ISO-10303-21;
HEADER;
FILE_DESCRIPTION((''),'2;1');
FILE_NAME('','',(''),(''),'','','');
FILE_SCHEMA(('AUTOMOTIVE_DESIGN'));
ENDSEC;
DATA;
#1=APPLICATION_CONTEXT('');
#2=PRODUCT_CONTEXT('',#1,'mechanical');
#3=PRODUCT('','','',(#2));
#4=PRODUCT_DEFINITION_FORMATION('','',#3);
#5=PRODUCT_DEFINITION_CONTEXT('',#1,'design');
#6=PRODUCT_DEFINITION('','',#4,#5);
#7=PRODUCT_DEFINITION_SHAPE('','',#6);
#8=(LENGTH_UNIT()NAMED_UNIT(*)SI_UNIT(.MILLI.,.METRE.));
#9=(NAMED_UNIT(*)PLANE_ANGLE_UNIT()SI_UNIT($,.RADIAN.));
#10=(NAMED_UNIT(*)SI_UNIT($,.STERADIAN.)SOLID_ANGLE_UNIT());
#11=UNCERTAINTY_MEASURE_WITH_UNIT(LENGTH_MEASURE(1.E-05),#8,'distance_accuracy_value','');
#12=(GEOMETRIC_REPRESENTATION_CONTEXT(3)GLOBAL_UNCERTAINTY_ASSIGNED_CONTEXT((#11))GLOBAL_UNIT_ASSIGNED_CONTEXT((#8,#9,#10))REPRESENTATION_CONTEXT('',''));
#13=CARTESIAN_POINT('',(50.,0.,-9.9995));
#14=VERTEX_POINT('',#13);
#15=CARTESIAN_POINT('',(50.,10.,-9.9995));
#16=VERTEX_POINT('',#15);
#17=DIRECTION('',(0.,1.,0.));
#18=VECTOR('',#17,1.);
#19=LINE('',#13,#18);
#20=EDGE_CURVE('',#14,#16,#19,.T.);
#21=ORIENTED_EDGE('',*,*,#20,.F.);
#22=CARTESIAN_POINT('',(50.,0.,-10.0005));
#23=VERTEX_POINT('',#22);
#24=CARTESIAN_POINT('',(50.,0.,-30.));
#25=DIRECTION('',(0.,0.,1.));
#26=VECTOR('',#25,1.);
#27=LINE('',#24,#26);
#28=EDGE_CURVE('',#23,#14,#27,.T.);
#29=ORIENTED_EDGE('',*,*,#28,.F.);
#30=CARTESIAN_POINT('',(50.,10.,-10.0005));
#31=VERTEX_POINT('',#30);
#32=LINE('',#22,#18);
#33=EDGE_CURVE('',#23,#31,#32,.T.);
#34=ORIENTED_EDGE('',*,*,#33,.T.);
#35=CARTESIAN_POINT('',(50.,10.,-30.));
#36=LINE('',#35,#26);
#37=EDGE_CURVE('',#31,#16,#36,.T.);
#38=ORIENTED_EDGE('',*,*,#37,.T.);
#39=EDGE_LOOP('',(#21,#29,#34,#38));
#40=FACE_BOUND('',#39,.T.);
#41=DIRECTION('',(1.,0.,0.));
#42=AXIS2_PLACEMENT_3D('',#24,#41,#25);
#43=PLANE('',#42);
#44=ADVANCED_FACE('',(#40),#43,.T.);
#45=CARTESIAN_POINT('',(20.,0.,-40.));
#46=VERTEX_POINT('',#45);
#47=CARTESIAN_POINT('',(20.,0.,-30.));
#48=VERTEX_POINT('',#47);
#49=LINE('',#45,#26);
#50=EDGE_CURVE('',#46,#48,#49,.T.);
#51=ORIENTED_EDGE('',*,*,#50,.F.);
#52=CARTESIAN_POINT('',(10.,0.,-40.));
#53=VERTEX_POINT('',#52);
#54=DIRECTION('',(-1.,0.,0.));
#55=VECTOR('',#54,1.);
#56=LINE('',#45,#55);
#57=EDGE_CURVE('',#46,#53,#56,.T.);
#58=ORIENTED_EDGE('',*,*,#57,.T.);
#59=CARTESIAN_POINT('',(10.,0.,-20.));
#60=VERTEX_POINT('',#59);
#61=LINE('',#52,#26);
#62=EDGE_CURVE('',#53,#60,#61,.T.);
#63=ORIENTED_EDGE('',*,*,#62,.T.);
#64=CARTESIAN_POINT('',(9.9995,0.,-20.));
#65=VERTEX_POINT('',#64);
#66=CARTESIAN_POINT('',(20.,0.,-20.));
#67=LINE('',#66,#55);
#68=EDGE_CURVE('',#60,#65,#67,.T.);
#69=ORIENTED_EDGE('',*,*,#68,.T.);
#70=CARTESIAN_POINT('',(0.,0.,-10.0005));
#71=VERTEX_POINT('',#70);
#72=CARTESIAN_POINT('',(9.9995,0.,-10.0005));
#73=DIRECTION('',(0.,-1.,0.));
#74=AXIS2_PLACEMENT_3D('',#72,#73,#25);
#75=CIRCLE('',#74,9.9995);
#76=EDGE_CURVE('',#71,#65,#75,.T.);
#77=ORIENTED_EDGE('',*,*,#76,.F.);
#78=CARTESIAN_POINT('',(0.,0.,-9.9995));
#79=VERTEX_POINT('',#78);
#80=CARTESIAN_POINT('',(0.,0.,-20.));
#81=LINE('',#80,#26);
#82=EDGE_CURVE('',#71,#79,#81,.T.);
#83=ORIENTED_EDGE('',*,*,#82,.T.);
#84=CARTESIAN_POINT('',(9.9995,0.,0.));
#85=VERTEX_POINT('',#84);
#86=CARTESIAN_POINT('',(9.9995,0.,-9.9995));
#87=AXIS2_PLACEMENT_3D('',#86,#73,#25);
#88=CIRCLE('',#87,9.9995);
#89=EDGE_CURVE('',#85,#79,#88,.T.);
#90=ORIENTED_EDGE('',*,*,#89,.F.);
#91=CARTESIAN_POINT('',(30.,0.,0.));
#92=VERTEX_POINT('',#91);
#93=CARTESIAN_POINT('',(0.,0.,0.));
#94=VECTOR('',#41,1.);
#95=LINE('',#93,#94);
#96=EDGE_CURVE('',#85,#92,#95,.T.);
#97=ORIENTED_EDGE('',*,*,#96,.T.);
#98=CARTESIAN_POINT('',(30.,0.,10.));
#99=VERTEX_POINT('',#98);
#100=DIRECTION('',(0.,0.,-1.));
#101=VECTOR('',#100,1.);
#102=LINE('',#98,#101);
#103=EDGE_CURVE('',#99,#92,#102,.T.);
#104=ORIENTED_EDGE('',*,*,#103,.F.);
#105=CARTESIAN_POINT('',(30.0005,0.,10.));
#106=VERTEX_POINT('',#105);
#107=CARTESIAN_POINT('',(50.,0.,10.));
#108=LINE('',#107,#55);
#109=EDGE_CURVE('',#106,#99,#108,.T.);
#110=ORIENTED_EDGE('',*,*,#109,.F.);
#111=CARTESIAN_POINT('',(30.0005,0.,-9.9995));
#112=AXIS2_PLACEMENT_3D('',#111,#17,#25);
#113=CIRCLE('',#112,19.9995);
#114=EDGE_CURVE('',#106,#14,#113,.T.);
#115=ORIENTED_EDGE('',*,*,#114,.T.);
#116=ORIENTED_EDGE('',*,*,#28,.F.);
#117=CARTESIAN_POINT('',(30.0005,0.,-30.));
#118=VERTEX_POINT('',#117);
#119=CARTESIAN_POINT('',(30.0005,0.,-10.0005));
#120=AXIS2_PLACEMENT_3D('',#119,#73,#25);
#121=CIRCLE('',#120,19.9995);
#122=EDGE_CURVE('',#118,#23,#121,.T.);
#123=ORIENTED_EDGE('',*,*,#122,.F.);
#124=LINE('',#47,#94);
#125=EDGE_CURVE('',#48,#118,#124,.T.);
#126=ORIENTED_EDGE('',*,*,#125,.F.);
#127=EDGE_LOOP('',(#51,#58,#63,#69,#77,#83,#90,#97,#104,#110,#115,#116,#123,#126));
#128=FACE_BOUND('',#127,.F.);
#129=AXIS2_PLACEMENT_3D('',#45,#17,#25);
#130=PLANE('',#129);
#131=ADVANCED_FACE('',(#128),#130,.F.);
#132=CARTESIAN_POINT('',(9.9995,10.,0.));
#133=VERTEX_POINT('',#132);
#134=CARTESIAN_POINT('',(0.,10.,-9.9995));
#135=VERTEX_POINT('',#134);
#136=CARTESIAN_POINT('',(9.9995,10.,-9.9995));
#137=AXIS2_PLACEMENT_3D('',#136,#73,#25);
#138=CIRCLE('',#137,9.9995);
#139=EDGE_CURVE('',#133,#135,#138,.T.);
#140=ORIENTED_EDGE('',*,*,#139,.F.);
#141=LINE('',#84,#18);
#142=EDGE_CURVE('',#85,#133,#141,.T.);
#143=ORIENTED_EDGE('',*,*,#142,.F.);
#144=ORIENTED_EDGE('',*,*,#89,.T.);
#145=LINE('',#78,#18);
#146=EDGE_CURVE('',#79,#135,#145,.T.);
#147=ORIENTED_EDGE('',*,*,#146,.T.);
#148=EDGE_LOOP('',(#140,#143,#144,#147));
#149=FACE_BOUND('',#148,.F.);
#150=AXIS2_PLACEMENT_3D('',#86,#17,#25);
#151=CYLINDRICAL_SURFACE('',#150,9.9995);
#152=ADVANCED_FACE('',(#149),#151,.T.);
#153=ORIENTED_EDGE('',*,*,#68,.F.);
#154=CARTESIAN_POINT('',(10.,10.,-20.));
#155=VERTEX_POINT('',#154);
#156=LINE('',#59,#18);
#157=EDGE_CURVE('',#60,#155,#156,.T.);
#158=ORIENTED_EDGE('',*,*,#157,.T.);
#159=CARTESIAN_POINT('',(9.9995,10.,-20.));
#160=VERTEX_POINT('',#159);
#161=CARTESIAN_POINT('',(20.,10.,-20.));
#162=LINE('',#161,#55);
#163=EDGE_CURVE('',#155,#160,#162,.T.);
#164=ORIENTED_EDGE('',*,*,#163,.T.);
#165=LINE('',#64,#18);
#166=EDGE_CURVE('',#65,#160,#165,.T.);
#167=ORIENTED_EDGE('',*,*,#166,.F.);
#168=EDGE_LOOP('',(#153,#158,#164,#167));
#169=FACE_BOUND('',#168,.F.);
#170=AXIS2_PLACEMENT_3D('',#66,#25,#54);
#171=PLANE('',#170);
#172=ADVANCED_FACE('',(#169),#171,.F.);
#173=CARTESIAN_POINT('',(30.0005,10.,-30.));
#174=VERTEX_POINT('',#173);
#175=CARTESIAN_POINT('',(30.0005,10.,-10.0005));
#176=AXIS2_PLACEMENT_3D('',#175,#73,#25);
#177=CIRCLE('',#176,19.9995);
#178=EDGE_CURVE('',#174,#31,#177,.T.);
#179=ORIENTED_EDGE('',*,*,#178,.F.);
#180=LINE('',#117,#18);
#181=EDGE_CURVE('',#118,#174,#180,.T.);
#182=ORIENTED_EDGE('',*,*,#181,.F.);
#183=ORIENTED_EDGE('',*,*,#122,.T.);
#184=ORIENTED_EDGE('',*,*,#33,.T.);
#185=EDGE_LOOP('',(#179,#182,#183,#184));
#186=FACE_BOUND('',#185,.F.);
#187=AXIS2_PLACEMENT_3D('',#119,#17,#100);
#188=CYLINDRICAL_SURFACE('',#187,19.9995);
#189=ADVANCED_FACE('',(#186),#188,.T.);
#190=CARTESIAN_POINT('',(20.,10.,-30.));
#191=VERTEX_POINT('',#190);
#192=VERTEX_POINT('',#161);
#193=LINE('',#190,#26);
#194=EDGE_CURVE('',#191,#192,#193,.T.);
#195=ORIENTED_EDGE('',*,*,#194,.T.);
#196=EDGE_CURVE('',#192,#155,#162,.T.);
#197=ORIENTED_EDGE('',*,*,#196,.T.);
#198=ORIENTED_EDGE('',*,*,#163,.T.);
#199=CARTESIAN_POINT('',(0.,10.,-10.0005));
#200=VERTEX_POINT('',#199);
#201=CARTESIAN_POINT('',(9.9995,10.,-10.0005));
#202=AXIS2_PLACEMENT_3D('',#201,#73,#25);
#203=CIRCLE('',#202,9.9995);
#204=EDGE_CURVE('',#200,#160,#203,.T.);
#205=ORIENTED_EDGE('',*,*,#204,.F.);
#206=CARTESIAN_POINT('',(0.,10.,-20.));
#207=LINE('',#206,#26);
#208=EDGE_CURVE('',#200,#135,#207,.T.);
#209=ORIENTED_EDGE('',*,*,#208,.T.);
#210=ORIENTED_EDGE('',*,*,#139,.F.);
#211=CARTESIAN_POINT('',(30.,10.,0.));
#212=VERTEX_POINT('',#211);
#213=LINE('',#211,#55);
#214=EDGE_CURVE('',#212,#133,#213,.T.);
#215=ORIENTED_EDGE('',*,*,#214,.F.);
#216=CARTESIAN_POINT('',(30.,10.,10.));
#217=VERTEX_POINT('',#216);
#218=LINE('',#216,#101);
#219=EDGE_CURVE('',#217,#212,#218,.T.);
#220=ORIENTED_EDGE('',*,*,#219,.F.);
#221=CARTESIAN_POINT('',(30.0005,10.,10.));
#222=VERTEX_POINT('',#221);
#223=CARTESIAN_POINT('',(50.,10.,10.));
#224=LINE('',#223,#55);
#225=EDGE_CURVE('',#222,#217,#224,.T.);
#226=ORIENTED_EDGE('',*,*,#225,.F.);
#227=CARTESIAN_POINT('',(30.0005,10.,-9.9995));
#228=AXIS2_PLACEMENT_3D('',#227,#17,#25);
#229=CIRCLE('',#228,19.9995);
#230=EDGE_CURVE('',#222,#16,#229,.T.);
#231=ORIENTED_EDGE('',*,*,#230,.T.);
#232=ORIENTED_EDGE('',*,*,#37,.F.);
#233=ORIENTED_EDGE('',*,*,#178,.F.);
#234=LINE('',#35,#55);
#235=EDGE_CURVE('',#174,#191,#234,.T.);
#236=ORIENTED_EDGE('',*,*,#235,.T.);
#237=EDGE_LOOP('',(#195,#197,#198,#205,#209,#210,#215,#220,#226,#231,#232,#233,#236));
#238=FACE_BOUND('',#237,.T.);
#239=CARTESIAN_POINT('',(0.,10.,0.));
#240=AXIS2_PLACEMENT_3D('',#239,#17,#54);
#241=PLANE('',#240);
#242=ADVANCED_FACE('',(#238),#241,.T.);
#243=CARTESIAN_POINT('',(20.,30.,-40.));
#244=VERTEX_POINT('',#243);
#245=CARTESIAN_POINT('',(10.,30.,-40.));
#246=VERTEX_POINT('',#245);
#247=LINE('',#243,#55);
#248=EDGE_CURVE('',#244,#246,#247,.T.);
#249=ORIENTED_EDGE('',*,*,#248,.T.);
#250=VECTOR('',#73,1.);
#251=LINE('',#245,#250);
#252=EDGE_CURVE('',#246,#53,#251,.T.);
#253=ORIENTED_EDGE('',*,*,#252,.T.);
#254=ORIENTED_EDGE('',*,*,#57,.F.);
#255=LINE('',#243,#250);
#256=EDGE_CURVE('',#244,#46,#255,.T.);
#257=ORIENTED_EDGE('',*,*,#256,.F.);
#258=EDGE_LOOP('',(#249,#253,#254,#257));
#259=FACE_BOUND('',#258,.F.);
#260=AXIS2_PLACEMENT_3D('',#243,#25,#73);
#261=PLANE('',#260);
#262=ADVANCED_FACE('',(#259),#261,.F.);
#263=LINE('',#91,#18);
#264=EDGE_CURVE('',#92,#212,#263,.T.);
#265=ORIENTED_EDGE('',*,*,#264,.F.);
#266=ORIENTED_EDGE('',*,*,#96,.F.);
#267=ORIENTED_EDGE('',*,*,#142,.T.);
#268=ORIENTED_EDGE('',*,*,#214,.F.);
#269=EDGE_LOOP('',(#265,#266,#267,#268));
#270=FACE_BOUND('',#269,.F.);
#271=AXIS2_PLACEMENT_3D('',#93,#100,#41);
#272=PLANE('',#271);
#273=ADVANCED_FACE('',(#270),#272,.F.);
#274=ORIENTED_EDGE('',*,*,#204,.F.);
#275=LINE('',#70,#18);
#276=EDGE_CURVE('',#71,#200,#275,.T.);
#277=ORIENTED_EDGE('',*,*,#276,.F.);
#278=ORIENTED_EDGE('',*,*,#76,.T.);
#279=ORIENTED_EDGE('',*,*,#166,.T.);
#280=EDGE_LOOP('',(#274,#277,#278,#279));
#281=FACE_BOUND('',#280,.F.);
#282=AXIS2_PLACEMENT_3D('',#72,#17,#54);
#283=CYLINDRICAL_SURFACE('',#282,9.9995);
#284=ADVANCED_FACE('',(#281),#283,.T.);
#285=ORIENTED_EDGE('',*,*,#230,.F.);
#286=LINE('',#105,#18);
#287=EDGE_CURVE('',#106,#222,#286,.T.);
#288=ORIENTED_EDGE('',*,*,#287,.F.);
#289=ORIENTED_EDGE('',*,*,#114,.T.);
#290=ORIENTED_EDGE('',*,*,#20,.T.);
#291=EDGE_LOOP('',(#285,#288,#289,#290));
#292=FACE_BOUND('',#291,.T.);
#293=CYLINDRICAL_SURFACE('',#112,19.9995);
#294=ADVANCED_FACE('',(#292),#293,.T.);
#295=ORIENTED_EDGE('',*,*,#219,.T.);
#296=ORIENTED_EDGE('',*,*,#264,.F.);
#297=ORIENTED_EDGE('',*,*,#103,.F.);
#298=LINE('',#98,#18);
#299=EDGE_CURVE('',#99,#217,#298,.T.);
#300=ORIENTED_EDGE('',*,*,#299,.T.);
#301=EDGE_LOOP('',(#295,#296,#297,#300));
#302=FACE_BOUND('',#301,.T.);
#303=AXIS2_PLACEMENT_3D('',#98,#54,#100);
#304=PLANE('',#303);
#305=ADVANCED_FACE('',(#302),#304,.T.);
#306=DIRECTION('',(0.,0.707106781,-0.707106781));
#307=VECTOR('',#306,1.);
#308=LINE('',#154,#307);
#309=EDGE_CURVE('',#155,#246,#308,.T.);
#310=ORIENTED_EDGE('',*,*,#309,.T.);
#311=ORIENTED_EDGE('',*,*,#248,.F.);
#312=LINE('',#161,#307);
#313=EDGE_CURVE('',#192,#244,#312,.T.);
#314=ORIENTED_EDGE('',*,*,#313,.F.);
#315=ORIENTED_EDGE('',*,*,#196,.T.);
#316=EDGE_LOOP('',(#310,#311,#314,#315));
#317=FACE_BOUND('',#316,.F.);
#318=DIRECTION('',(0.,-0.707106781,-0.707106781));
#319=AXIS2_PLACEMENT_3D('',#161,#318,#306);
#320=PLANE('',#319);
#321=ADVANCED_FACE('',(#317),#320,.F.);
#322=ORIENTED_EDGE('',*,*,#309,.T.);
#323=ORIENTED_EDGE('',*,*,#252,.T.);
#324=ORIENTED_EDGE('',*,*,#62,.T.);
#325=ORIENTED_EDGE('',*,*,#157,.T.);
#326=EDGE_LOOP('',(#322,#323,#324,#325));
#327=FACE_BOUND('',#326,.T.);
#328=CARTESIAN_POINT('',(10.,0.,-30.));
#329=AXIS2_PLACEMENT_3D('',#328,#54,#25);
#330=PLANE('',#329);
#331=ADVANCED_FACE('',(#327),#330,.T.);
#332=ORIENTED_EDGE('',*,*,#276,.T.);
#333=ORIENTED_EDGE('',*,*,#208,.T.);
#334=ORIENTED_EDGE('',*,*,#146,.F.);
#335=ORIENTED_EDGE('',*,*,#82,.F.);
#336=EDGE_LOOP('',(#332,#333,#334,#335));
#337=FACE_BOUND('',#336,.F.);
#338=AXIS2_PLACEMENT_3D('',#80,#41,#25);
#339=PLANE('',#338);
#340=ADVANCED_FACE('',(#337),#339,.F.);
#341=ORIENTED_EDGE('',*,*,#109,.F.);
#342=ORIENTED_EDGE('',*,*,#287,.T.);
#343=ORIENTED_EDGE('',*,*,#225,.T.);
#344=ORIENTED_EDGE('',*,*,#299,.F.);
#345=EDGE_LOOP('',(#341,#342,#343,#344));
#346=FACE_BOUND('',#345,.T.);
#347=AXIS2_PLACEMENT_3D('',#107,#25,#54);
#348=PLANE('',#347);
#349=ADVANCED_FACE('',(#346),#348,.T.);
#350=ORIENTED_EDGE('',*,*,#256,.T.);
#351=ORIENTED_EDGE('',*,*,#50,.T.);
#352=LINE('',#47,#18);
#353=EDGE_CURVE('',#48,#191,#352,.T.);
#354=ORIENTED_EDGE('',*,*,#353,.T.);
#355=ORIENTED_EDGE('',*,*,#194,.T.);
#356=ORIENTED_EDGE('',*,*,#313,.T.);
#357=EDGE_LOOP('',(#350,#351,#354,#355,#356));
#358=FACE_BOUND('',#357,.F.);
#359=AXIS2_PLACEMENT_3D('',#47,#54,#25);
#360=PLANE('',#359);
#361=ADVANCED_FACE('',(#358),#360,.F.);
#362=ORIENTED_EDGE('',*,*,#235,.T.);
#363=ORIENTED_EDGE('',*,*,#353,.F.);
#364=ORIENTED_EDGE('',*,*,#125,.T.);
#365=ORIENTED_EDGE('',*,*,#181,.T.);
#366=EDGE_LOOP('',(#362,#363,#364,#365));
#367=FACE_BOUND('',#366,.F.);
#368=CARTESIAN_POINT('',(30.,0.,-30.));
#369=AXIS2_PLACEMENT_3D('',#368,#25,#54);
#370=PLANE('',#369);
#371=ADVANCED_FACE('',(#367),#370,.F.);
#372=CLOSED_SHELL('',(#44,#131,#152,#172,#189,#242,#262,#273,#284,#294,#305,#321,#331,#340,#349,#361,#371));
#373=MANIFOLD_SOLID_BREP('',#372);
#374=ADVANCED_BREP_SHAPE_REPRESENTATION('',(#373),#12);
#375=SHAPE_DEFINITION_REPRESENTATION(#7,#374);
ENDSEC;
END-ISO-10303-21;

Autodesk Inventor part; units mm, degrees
ref_plane "YZ Plane" through (0, 0, 0) normal (1, 0, 0) x (0, 1, 0)
ref_plane "XZ Plane" through (0, 0, 0) normal (0, 1, 0) x (-1, 0, 0)
ref_plane "XY Plane" through (0, 0, 0) normal (0, 0, 1) x (1, 0, 0)
sketch "草圖1" plane through (0, 0, 0) normal (0, 1, 0) x (-1, 0, 0)
  line L0 (0, 0) -> (-20, 0)
  line L1 (-20, 0) -> (-20, -20)
  line L2 (-20, -20) -> (0, -20)
  line L3 (0, -20) -> (0, 0)
  line L4 (-20, 0) -> (-30, 0)
  line L5 (-30, 0) -> (-30, -30)
  line L6 (-30, -30) -> (-20, -30)
  line L7 (-20, -30) -> (-20, 0)
  line L8 (-30, -30) -> (-50, -30)
  line L9 (-50, -30) -> (-50, 10)
  line L10 (-50, 10) -> (-30, 10)
  line L11 (-30, 10) -> (-30, -30)
  dimension "d0" = 20
  dimension "d1" = 20
  dimension "d2" = 20
  dimension "d3" = 10
  dimension "d4" = 30
  dimension "d5" = 40
extrude "擠出1" add sketch "草圖1" along normal blind 10
fillet "圓角1" radius 20 2 edges at (50, 5, 10) (50, 5, -30)
fillet "圓角2" radius 10 2 edges at (0, 5, -20) (0, 5, 0)
sketch "草圖2" plane through (20, 0, -30) normal (-1, 0, 0) x (0, 0, 1)
  line L0 (10, 0) -> (10, 10) projected
  line L1 (10, 10) -> (-10, 30)
  line L2 (-10, 30) -> (-10, 0)
  line L3 (-10, 0) -> (10, 0)
  point P0 (30, 0)
  dimension "d10" = 20
  dimension "d11" = 30
extrude "擠出2" add sketch "草圖2" along normal blind 10
properties part number "44"
